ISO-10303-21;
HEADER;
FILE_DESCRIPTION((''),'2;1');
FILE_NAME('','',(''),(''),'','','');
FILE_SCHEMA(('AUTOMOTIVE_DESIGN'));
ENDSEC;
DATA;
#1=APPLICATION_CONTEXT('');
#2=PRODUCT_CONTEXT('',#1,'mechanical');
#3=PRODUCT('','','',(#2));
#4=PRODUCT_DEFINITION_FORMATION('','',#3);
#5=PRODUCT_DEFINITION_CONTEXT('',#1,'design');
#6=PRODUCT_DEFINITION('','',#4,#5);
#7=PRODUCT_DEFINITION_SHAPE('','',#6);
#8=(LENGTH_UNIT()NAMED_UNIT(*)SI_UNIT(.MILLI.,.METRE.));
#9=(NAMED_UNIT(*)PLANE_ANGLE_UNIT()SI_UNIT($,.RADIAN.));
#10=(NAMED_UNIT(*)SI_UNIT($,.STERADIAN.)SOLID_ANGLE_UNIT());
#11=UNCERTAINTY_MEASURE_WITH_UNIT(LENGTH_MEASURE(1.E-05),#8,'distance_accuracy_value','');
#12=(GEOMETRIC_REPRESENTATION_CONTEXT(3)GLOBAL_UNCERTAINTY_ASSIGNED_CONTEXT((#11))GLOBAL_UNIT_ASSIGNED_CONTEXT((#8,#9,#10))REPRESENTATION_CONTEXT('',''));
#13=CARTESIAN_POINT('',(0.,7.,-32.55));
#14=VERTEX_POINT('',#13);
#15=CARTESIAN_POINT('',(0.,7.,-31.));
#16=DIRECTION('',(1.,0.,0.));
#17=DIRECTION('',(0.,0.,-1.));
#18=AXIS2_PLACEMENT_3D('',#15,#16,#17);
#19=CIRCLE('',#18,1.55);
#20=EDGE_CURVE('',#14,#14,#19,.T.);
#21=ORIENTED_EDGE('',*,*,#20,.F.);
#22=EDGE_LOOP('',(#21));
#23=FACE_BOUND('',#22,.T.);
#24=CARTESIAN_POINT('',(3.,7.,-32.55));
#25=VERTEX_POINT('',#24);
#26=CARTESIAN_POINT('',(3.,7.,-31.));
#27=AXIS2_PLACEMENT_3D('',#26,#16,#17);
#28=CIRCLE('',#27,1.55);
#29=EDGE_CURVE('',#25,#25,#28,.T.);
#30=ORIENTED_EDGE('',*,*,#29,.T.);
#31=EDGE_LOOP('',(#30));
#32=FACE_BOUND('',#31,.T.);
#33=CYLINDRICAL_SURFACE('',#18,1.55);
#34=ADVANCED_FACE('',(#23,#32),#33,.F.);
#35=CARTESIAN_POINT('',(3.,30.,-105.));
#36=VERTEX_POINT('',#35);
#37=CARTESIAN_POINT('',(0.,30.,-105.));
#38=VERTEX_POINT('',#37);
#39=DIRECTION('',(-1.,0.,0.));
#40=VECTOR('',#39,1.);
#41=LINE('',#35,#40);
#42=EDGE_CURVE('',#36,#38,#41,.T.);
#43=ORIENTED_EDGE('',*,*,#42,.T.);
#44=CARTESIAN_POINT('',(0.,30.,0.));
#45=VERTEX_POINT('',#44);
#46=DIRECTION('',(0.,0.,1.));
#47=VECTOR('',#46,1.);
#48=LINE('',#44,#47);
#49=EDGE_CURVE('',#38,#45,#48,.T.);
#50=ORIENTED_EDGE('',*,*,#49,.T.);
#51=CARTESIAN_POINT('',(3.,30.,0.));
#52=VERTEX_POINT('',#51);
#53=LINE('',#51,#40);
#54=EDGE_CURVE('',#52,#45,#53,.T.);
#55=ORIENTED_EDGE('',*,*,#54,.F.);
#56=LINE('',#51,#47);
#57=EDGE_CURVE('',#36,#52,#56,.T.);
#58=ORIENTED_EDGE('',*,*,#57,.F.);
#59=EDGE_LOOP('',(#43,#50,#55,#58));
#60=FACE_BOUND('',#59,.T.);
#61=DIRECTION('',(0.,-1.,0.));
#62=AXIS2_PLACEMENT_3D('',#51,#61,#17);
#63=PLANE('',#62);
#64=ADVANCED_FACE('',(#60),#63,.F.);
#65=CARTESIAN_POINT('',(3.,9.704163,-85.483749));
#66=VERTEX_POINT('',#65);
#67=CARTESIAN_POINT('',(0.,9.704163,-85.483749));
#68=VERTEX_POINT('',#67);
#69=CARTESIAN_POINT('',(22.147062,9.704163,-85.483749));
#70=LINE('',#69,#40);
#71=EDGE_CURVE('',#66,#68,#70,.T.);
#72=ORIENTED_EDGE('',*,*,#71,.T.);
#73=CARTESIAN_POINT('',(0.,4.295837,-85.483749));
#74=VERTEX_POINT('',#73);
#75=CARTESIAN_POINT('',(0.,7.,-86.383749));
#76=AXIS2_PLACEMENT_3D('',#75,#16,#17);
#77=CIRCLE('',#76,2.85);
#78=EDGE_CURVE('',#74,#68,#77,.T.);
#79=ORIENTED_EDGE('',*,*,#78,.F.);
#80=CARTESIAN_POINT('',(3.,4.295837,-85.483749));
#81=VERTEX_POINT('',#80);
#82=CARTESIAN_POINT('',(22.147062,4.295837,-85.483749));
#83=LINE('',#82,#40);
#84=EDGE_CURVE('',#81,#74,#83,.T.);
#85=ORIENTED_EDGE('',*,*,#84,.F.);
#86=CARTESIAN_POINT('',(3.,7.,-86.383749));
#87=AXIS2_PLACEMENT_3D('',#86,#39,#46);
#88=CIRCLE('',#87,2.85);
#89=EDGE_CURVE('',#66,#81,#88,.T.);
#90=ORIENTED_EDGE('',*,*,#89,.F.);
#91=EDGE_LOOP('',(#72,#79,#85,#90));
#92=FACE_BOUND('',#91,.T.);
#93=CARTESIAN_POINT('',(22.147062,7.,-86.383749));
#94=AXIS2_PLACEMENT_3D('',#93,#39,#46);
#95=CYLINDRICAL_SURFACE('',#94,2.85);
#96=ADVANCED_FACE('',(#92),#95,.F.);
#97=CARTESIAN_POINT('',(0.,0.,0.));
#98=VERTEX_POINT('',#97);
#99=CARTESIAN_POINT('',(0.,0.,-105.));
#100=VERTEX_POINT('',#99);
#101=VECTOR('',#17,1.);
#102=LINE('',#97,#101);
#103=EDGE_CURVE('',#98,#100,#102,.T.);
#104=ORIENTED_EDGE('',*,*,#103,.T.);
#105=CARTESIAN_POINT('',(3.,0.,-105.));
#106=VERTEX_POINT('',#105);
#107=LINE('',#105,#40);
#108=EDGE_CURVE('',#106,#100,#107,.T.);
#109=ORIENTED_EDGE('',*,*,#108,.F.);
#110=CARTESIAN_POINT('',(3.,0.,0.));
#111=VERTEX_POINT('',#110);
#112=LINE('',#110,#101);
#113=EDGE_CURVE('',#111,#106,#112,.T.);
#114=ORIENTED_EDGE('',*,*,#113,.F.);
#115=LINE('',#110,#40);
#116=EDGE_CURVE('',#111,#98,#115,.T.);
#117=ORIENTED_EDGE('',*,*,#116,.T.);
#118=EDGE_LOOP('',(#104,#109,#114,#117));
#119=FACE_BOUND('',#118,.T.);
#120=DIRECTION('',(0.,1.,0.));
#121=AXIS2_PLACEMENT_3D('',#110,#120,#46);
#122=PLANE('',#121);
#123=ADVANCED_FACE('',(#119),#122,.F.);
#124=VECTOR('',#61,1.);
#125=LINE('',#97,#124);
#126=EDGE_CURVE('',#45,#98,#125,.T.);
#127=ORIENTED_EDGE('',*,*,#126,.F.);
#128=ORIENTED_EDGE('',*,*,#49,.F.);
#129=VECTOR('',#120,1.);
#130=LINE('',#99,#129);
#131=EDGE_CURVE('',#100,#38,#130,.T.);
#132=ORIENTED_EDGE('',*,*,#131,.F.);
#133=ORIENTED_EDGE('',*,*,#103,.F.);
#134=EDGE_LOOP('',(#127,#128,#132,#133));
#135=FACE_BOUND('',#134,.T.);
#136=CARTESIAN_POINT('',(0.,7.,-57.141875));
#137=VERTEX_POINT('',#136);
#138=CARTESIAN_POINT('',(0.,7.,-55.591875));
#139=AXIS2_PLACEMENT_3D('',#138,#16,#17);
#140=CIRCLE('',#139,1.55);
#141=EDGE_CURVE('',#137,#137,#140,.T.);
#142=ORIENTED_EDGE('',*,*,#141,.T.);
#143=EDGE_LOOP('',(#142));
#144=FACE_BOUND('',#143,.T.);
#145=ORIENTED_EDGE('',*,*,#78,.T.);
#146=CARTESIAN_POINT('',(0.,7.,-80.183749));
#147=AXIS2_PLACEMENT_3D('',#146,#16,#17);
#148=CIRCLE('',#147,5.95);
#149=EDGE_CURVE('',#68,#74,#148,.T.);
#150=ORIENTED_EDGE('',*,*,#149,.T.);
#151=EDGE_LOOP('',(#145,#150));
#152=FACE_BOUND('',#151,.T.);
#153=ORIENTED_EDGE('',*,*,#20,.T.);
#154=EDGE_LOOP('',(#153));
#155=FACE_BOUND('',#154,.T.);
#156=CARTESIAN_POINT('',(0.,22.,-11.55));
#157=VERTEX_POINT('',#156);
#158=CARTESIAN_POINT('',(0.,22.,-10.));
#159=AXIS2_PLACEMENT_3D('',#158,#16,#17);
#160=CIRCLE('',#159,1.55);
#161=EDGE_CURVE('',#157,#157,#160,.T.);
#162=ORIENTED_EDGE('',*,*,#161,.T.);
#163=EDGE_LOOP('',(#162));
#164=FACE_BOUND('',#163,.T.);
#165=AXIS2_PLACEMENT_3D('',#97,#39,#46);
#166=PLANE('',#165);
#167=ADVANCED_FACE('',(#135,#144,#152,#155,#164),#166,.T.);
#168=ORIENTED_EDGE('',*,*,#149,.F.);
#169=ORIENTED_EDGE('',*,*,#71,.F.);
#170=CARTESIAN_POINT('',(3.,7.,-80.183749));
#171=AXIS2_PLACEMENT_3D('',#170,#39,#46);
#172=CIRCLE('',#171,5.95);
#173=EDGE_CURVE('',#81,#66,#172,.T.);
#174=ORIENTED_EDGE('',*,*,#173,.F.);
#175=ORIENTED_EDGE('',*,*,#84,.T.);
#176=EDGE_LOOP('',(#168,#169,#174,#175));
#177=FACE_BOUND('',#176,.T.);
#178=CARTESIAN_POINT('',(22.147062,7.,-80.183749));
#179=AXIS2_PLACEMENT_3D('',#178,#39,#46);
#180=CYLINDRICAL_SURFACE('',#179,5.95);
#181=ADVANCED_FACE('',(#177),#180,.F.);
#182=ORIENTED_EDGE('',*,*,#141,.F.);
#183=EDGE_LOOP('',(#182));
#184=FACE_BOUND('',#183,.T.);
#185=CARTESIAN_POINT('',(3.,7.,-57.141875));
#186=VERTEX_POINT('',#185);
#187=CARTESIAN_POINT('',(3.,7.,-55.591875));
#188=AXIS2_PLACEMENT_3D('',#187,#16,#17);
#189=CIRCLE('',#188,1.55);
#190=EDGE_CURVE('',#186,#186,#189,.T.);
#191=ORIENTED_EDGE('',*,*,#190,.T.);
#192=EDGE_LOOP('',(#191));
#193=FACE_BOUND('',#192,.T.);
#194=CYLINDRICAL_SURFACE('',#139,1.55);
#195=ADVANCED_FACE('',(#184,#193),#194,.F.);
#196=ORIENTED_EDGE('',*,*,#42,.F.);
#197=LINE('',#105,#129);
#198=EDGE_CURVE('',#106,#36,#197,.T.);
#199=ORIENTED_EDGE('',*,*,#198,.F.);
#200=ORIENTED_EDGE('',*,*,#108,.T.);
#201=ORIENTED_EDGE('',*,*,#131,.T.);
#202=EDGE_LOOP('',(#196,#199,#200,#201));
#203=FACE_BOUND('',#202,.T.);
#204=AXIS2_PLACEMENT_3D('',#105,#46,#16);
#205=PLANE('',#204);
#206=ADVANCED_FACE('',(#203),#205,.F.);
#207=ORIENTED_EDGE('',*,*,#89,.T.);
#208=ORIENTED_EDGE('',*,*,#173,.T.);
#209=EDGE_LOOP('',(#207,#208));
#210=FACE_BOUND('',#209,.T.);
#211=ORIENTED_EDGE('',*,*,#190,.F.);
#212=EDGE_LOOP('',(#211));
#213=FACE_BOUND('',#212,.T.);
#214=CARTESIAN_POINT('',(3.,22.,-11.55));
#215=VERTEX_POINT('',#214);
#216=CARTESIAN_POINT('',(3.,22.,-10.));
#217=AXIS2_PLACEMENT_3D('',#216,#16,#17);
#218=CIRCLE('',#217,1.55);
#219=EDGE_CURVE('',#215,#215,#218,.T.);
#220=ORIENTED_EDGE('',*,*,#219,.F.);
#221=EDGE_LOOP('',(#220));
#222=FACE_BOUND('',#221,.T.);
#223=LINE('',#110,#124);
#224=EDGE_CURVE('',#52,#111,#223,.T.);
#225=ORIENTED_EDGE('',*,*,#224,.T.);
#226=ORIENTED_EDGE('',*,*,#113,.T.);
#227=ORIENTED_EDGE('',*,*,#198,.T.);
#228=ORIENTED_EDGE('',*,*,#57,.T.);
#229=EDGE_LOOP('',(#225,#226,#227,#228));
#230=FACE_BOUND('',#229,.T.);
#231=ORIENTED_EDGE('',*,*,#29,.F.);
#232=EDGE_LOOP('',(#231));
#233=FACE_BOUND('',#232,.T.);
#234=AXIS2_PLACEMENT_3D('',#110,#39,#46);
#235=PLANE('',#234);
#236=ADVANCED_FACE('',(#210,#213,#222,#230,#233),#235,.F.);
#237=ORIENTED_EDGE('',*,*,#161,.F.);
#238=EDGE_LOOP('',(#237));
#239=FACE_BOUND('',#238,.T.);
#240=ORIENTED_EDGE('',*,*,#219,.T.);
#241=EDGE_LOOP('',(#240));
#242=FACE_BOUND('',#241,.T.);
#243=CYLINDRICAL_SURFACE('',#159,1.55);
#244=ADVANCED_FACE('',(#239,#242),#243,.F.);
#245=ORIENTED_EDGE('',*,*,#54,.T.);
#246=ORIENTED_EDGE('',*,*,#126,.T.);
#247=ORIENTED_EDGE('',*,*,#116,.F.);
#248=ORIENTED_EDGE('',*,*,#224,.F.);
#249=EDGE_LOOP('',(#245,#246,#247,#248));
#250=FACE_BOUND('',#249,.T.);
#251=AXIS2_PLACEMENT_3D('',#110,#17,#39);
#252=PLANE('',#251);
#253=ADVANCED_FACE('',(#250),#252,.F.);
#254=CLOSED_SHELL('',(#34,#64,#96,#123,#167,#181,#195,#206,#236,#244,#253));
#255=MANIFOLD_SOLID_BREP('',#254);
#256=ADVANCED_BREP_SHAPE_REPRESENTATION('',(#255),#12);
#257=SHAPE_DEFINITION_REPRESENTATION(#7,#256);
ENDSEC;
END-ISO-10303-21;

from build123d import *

# Parameters (mm, degrees)
SKIZZE1_W                       = 105
SKIZZE1_H                       = 30
AUFSATZ_LINEAR_AUSTRAGEN1_DEPTH = 3
SKIZZE2_R                       = 1.55
BOHRUNGEN_DEPTH                 = 110.242848736
SCHNITT_LINEAR_AUSTRAGEN4_DEPTH = 3


with BuildPart() as part:
    # Skizze1 → Aufsatz-Linear austragen1 (new body)
    with BuildSketch(Plane(origin=(0, 0, 0), x_dir=(0, 0, -1), z_dir=(1, 0, 0))):
        with Locations((52.5, 15)):
            Rectangle(SKIZZE1_W, SKIZZE1_H)
    extrude(amount=AUFSATZ_LINEAR_AUSTRAGEN1_DEPTH)

    # Skizze2 → Bohrungen (cut, through all)
    with BuildSketch(Plane(origin=(3, 0, 0), x_dir=(0, 0, -1), z_dir=(1, 0, 0))):
        with Locations((10, 22)):
            Circle(SKIZZE2_R)
        with Locations((31, 7)):
            Circle(SKIZZE2_R)
        with Locations((55.59187467, 7)):
            Circle(SKIZZE2_R)
        with Locations((80.183749339, 7)):
            Circle(SKIZZE2_R)
    extrude(amount=-BOHRUNGEN_DEPTH, mode=Mode.SUBTRACT)

    # Skizze7 → Schnitt-Linear austragen4 (cut)
    with BuildSketch(Plane(origin=(0, 0, 0), x_dir=(0, 0, -1), z_dir=(1, 0, 0))):
        with BuildLine():
            ThreePointArc((85.483749339, 9.704163457), (74.233749339, 7), (85.483749339, 4.295836543))
            ThreePointArc((85.483749339, 4.295836543), (89.233749339, 7), (85.483749339, 9.704163457))
        make_face()
    extrude(amount=SCHNITT_LINEAR_AUSTRAGEN4_DEPTH, mode=Mode.SUBTRACT)


solid = part.part
